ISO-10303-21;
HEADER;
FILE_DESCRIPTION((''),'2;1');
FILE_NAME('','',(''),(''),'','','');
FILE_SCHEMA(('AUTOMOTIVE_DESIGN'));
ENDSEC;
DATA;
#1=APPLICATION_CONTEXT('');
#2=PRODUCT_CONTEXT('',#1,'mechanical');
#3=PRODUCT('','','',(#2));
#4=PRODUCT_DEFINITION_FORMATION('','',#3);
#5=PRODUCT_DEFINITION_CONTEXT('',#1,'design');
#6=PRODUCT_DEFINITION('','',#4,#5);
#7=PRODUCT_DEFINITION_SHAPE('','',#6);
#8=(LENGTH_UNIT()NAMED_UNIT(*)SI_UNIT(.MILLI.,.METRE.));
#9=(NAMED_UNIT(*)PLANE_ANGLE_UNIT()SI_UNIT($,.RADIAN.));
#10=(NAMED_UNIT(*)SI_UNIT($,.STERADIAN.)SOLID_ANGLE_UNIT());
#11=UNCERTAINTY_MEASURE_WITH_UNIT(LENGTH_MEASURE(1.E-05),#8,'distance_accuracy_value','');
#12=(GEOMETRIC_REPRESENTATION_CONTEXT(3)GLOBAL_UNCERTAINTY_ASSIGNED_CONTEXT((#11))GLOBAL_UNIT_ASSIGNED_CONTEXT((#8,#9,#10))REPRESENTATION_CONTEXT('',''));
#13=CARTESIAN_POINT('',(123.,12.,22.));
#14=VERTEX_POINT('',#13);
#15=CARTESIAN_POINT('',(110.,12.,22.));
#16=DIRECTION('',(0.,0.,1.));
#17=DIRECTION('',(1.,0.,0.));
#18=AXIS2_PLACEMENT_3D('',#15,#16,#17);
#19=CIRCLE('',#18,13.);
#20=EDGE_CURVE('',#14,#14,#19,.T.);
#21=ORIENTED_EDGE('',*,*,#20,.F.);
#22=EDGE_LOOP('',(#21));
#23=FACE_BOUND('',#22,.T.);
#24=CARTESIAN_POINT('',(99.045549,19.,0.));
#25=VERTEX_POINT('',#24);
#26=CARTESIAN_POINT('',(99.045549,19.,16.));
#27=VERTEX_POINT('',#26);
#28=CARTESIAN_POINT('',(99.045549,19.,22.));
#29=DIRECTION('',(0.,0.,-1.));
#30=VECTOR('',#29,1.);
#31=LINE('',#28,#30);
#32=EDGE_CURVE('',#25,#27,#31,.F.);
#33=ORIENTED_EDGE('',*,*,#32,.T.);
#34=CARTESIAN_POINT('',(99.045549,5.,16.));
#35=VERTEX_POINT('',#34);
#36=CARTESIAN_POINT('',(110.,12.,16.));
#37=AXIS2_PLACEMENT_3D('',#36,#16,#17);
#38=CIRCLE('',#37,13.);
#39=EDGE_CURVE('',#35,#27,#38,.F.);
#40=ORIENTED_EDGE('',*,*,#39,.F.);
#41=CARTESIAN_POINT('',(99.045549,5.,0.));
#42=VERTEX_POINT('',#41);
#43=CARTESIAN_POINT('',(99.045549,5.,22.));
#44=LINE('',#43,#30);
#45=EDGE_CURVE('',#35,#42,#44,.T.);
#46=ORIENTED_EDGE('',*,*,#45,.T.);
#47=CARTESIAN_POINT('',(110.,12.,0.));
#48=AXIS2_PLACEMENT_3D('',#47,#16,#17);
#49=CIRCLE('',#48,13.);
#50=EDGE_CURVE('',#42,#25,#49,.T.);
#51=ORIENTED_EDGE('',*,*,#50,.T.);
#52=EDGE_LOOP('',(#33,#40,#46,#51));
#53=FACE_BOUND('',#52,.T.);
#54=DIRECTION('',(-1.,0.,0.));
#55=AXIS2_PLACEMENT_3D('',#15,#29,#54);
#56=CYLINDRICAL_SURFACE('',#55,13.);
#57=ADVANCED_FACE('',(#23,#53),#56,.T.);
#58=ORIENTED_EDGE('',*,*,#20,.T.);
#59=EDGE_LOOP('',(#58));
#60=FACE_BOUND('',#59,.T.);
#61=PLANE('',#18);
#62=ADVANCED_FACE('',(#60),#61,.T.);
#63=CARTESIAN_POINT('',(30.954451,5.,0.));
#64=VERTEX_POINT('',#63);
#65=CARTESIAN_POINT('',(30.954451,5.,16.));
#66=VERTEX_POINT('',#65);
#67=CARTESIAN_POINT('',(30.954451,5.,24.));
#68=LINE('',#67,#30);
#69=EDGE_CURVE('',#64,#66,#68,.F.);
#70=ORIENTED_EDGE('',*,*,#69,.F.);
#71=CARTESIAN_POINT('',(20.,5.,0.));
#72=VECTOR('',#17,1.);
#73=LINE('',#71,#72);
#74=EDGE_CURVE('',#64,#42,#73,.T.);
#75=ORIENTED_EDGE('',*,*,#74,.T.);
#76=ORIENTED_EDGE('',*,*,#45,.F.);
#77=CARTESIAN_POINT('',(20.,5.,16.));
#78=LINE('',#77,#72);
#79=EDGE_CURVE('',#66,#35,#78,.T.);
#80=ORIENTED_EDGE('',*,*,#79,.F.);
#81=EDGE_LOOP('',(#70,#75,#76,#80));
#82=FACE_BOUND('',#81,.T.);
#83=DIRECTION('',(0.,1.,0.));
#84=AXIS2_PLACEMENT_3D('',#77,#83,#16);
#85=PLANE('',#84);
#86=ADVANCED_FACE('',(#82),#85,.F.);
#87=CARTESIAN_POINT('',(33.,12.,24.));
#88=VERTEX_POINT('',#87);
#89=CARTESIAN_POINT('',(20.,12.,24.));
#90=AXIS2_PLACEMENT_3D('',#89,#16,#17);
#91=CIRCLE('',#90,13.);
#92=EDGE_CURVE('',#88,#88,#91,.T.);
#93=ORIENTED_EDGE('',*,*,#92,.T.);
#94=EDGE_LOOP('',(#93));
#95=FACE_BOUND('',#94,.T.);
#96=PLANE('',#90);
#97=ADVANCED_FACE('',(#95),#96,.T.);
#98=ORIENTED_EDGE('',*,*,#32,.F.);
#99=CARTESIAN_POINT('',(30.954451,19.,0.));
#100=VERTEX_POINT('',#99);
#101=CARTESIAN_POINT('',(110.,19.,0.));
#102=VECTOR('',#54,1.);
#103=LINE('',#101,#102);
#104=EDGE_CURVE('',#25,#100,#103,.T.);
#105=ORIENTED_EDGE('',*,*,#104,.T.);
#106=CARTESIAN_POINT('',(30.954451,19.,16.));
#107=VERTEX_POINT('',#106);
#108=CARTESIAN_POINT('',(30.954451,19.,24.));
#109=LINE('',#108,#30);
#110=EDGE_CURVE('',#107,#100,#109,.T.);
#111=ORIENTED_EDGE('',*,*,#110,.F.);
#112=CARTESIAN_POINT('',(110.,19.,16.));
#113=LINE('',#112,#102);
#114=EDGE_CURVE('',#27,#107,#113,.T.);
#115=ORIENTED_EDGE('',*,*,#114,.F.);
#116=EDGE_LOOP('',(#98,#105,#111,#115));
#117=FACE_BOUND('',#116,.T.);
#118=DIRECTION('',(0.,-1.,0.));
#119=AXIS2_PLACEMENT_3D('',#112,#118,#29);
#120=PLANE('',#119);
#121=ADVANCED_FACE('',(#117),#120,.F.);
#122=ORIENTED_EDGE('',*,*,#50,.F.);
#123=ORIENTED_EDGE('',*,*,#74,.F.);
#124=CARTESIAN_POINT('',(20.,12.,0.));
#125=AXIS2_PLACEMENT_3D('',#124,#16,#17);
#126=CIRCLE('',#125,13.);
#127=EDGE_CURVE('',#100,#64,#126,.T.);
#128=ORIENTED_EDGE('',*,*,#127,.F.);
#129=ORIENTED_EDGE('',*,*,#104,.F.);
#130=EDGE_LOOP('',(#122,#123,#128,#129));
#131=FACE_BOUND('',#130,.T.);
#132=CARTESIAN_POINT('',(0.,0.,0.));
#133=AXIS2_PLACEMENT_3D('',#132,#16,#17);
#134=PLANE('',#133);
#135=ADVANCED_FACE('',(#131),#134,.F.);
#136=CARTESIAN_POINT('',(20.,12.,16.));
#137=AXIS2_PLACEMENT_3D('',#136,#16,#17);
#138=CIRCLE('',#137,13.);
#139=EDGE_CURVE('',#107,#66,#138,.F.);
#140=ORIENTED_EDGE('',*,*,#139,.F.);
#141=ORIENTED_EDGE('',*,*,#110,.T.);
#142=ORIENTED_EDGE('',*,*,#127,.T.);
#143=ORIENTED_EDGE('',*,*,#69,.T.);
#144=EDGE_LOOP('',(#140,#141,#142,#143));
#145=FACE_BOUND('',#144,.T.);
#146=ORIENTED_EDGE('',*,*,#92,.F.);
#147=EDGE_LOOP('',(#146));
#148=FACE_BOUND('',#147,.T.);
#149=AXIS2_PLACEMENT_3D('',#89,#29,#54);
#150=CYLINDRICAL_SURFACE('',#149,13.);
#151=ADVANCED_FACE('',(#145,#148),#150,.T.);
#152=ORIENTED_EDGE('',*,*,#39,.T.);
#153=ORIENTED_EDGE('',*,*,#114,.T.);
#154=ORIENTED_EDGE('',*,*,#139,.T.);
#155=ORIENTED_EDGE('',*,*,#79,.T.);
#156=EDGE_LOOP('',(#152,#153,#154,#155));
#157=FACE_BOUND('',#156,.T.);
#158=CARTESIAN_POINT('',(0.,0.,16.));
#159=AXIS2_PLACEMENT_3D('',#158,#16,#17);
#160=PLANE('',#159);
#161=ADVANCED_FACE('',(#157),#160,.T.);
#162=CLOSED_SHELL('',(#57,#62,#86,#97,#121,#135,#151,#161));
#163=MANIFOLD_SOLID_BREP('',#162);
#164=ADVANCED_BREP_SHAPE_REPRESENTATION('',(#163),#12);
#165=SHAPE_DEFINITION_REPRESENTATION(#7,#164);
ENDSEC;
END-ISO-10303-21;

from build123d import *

# Parameters (mm, degrees)
SKETCH_3_W    = 90
SKETCH_3_H    = 14
BAR_DEPTH     = 16
SKETCH_4_R    = 13
ROOTHUB_DEPTH = 24
SKETCH_5_R    = 13
ENDHUB_DEPTH  = 22


with BuildPart() as part:
    # 草图3 → Bar (new body)
    with BuildSketch(Plane.XY):
        with Locations((65, 12)):
            Rectangle(SKETCH_3_W, SKETCH_3_H)
    extrude(amount=BAR_DEPTH)

    # 草图4 → RootHub (add)
    with BuildSketch(Plane.XY):
        with Locations(Location((20, 12, 0), (0, 0, 327.421029607))):
            Circle(SKETCH_4_R)
    extrude(amount=ROOTHUB_DEPTH)

    # 草图5 → EndHub (add)
    with BuildSketch(Plane.XY):
        with Locations(Location((110, 12, 0), (0, 0, 212.578970393))):
            Circle(SKETCH_5_R)
    extrude(amount=ENDHUB_DEPTH)


solid = part.part
